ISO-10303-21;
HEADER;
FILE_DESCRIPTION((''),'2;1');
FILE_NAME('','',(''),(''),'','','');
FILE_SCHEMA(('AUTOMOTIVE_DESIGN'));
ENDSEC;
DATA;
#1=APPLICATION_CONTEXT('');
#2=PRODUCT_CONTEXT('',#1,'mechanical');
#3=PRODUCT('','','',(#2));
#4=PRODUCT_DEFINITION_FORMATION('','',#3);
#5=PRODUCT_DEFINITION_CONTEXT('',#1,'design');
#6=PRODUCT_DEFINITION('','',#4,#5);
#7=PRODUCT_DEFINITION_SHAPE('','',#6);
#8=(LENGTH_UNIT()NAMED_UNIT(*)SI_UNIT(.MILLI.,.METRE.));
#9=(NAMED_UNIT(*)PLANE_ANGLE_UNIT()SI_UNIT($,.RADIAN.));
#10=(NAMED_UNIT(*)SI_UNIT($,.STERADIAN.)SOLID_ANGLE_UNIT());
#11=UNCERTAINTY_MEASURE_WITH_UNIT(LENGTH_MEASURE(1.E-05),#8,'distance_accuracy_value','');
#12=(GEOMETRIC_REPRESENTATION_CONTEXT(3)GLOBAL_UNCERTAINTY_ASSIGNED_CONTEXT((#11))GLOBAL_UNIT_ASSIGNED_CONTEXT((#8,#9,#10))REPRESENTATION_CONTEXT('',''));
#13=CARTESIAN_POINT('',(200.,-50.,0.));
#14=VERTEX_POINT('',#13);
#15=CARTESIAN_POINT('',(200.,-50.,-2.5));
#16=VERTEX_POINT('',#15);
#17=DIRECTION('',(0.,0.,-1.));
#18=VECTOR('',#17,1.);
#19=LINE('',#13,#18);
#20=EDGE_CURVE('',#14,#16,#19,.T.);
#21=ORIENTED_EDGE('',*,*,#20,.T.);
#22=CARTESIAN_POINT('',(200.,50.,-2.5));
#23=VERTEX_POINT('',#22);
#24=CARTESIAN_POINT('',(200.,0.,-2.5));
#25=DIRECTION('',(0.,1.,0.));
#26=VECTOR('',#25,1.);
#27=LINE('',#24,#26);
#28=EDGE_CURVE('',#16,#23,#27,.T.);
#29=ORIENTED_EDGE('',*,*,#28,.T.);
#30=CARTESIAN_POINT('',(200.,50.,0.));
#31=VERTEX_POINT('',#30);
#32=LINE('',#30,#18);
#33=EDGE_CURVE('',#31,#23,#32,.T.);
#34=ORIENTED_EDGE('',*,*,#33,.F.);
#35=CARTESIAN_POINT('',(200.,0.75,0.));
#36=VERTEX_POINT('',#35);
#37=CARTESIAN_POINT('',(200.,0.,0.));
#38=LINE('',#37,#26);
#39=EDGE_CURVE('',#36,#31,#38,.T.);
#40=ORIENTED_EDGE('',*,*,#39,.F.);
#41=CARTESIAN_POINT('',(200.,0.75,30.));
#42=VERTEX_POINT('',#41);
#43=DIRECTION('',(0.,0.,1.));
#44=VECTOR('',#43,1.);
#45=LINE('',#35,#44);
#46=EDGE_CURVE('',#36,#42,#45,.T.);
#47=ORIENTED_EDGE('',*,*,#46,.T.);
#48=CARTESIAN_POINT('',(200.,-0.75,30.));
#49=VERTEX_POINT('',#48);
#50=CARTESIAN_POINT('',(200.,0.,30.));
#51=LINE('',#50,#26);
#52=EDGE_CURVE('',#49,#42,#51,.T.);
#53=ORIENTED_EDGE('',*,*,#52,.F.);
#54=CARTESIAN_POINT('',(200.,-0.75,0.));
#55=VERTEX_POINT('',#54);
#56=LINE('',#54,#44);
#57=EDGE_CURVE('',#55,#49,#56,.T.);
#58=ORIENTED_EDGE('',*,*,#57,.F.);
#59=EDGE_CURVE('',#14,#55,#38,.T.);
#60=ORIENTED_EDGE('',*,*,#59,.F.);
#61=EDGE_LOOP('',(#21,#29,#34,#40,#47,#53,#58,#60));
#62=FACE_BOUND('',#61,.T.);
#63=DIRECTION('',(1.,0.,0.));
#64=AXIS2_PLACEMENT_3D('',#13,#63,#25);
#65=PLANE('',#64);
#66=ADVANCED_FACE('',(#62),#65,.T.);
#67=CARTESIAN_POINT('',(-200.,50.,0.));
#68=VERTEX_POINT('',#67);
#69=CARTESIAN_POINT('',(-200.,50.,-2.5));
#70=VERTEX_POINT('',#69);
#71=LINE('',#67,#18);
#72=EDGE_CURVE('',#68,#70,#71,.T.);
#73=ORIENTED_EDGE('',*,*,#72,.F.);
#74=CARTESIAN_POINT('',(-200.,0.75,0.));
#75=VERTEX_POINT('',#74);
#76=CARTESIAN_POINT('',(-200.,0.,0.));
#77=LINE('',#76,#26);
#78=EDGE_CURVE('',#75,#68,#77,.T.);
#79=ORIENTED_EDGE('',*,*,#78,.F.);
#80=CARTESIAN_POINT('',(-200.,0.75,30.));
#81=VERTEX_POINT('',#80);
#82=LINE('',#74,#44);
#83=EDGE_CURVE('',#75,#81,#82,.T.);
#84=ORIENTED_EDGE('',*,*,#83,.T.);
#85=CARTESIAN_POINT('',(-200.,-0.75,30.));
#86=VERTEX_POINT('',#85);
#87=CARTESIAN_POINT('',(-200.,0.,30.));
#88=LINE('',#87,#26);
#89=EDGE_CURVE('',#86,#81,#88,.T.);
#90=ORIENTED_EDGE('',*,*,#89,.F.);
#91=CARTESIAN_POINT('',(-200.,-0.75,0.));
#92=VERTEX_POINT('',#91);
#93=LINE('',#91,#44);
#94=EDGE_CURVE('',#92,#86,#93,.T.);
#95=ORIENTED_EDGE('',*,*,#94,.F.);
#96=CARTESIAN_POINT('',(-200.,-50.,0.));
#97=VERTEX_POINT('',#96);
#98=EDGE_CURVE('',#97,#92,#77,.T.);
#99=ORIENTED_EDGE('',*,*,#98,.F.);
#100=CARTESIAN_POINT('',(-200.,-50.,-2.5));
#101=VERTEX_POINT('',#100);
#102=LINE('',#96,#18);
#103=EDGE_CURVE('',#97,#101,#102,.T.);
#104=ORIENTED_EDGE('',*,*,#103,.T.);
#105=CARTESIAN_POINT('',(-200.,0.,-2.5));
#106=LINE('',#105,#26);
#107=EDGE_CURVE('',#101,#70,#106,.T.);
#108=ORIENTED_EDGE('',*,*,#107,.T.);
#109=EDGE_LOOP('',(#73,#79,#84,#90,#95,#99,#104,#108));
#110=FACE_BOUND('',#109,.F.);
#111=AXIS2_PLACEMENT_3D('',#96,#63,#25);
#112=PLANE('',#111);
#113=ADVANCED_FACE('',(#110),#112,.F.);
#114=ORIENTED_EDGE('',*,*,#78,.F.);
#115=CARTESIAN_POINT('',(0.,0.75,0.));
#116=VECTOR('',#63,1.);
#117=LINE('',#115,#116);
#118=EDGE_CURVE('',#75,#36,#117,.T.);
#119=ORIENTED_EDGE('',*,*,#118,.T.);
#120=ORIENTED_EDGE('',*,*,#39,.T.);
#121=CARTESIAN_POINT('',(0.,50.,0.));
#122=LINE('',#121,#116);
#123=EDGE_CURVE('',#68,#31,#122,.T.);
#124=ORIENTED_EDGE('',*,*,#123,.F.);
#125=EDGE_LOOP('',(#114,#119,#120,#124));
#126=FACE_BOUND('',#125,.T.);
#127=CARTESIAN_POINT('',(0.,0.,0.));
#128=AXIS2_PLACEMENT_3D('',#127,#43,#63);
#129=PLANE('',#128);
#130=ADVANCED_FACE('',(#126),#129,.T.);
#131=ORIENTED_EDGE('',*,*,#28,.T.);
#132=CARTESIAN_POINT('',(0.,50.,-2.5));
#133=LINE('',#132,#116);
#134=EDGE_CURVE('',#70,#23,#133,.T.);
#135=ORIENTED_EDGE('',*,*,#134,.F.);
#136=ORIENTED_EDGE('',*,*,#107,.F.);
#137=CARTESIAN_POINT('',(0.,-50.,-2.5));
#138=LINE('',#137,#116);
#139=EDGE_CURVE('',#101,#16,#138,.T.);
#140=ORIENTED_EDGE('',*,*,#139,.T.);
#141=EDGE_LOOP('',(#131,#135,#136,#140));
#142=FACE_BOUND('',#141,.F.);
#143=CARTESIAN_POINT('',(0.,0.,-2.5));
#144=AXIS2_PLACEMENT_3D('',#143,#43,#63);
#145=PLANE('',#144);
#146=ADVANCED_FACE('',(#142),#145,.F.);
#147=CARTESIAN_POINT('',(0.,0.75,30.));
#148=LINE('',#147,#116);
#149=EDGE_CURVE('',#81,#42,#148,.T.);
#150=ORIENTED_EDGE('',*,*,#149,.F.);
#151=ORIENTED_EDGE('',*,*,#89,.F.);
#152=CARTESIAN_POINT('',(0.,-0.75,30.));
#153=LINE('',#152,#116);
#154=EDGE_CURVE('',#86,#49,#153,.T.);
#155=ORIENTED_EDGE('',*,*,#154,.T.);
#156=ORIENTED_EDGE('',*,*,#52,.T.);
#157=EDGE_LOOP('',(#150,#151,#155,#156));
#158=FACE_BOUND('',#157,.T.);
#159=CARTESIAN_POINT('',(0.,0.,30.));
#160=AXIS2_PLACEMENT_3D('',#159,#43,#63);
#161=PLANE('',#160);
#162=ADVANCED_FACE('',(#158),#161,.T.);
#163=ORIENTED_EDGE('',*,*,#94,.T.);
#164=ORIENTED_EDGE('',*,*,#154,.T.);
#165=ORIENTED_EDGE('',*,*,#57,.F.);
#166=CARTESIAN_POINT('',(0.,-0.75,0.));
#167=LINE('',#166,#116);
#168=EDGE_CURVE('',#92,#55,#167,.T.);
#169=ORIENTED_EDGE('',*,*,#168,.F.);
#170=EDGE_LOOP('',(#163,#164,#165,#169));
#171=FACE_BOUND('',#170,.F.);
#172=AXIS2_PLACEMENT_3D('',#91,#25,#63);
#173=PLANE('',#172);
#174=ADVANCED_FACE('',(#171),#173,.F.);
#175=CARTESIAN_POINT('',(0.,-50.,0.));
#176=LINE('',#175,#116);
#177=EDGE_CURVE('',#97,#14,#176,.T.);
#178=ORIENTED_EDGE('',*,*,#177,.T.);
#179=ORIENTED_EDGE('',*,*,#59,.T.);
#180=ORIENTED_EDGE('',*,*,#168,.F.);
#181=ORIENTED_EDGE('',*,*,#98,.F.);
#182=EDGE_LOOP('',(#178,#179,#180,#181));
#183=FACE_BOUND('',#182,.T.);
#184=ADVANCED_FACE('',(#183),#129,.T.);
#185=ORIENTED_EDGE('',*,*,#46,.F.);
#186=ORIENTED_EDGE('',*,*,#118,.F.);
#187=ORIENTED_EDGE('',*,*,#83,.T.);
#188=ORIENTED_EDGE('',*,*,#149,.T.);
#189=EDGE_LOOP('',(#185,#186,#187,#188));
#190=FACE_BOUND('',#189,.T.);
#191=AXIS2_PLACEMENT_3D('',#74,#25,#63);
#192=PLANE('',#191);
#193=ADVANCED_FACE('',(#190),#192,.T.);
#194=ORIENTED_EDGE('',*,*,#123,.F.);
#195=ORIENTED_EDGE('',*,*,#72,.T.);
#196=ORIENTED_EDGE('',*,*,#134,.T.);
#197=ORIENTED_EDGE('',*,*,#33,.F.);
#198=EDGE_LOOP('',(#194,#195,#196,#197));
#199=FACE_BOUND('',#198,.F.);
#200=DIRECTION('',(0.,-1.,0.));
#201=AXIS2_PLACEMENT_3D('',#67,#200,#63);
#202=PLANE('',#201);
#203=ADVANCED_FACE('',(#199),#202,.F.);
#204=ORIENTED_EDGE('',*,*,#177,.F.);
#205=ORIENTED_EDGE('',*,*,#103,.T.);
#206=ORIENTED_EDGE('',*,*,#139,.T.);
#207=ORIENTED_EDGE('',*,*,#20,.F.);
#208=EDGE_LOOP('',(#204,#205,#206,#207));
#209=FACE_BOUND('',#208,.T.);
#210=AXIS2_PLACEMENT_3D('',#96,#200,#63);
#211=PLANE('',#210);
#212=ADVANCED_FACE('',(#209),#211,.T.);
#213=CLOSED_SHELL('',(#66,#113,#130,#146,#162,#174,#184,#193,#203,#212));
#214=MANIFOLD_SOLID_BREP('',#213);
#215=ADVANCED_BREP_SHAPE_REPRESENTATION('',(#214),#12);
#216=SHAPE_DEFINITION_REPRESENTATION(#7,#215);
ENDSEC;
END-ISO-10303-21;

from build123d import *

# Parameters (mm, degrees)
F2_W     = 400
F2_H     = 100
F3_DEPTH = 2.5
F4_W     = 400
F4_H     = 1.5
F5_DEPTH = 30


with BuildPart() as f3:
    # F2 (on Top) → F3 (new body)
    with BuildSketch(Plane.XY):
        Rectangle(F2_W, F2_H)
    extrude(amount=-F3_DEPTH)

    # F4 (on Top) → F5 (join)
    with BuildSketch(Plane.XY):
        Rectangle(F4_W, F4_H)
    extrude(amount=F5_DEPTH)


solid = f3.part
